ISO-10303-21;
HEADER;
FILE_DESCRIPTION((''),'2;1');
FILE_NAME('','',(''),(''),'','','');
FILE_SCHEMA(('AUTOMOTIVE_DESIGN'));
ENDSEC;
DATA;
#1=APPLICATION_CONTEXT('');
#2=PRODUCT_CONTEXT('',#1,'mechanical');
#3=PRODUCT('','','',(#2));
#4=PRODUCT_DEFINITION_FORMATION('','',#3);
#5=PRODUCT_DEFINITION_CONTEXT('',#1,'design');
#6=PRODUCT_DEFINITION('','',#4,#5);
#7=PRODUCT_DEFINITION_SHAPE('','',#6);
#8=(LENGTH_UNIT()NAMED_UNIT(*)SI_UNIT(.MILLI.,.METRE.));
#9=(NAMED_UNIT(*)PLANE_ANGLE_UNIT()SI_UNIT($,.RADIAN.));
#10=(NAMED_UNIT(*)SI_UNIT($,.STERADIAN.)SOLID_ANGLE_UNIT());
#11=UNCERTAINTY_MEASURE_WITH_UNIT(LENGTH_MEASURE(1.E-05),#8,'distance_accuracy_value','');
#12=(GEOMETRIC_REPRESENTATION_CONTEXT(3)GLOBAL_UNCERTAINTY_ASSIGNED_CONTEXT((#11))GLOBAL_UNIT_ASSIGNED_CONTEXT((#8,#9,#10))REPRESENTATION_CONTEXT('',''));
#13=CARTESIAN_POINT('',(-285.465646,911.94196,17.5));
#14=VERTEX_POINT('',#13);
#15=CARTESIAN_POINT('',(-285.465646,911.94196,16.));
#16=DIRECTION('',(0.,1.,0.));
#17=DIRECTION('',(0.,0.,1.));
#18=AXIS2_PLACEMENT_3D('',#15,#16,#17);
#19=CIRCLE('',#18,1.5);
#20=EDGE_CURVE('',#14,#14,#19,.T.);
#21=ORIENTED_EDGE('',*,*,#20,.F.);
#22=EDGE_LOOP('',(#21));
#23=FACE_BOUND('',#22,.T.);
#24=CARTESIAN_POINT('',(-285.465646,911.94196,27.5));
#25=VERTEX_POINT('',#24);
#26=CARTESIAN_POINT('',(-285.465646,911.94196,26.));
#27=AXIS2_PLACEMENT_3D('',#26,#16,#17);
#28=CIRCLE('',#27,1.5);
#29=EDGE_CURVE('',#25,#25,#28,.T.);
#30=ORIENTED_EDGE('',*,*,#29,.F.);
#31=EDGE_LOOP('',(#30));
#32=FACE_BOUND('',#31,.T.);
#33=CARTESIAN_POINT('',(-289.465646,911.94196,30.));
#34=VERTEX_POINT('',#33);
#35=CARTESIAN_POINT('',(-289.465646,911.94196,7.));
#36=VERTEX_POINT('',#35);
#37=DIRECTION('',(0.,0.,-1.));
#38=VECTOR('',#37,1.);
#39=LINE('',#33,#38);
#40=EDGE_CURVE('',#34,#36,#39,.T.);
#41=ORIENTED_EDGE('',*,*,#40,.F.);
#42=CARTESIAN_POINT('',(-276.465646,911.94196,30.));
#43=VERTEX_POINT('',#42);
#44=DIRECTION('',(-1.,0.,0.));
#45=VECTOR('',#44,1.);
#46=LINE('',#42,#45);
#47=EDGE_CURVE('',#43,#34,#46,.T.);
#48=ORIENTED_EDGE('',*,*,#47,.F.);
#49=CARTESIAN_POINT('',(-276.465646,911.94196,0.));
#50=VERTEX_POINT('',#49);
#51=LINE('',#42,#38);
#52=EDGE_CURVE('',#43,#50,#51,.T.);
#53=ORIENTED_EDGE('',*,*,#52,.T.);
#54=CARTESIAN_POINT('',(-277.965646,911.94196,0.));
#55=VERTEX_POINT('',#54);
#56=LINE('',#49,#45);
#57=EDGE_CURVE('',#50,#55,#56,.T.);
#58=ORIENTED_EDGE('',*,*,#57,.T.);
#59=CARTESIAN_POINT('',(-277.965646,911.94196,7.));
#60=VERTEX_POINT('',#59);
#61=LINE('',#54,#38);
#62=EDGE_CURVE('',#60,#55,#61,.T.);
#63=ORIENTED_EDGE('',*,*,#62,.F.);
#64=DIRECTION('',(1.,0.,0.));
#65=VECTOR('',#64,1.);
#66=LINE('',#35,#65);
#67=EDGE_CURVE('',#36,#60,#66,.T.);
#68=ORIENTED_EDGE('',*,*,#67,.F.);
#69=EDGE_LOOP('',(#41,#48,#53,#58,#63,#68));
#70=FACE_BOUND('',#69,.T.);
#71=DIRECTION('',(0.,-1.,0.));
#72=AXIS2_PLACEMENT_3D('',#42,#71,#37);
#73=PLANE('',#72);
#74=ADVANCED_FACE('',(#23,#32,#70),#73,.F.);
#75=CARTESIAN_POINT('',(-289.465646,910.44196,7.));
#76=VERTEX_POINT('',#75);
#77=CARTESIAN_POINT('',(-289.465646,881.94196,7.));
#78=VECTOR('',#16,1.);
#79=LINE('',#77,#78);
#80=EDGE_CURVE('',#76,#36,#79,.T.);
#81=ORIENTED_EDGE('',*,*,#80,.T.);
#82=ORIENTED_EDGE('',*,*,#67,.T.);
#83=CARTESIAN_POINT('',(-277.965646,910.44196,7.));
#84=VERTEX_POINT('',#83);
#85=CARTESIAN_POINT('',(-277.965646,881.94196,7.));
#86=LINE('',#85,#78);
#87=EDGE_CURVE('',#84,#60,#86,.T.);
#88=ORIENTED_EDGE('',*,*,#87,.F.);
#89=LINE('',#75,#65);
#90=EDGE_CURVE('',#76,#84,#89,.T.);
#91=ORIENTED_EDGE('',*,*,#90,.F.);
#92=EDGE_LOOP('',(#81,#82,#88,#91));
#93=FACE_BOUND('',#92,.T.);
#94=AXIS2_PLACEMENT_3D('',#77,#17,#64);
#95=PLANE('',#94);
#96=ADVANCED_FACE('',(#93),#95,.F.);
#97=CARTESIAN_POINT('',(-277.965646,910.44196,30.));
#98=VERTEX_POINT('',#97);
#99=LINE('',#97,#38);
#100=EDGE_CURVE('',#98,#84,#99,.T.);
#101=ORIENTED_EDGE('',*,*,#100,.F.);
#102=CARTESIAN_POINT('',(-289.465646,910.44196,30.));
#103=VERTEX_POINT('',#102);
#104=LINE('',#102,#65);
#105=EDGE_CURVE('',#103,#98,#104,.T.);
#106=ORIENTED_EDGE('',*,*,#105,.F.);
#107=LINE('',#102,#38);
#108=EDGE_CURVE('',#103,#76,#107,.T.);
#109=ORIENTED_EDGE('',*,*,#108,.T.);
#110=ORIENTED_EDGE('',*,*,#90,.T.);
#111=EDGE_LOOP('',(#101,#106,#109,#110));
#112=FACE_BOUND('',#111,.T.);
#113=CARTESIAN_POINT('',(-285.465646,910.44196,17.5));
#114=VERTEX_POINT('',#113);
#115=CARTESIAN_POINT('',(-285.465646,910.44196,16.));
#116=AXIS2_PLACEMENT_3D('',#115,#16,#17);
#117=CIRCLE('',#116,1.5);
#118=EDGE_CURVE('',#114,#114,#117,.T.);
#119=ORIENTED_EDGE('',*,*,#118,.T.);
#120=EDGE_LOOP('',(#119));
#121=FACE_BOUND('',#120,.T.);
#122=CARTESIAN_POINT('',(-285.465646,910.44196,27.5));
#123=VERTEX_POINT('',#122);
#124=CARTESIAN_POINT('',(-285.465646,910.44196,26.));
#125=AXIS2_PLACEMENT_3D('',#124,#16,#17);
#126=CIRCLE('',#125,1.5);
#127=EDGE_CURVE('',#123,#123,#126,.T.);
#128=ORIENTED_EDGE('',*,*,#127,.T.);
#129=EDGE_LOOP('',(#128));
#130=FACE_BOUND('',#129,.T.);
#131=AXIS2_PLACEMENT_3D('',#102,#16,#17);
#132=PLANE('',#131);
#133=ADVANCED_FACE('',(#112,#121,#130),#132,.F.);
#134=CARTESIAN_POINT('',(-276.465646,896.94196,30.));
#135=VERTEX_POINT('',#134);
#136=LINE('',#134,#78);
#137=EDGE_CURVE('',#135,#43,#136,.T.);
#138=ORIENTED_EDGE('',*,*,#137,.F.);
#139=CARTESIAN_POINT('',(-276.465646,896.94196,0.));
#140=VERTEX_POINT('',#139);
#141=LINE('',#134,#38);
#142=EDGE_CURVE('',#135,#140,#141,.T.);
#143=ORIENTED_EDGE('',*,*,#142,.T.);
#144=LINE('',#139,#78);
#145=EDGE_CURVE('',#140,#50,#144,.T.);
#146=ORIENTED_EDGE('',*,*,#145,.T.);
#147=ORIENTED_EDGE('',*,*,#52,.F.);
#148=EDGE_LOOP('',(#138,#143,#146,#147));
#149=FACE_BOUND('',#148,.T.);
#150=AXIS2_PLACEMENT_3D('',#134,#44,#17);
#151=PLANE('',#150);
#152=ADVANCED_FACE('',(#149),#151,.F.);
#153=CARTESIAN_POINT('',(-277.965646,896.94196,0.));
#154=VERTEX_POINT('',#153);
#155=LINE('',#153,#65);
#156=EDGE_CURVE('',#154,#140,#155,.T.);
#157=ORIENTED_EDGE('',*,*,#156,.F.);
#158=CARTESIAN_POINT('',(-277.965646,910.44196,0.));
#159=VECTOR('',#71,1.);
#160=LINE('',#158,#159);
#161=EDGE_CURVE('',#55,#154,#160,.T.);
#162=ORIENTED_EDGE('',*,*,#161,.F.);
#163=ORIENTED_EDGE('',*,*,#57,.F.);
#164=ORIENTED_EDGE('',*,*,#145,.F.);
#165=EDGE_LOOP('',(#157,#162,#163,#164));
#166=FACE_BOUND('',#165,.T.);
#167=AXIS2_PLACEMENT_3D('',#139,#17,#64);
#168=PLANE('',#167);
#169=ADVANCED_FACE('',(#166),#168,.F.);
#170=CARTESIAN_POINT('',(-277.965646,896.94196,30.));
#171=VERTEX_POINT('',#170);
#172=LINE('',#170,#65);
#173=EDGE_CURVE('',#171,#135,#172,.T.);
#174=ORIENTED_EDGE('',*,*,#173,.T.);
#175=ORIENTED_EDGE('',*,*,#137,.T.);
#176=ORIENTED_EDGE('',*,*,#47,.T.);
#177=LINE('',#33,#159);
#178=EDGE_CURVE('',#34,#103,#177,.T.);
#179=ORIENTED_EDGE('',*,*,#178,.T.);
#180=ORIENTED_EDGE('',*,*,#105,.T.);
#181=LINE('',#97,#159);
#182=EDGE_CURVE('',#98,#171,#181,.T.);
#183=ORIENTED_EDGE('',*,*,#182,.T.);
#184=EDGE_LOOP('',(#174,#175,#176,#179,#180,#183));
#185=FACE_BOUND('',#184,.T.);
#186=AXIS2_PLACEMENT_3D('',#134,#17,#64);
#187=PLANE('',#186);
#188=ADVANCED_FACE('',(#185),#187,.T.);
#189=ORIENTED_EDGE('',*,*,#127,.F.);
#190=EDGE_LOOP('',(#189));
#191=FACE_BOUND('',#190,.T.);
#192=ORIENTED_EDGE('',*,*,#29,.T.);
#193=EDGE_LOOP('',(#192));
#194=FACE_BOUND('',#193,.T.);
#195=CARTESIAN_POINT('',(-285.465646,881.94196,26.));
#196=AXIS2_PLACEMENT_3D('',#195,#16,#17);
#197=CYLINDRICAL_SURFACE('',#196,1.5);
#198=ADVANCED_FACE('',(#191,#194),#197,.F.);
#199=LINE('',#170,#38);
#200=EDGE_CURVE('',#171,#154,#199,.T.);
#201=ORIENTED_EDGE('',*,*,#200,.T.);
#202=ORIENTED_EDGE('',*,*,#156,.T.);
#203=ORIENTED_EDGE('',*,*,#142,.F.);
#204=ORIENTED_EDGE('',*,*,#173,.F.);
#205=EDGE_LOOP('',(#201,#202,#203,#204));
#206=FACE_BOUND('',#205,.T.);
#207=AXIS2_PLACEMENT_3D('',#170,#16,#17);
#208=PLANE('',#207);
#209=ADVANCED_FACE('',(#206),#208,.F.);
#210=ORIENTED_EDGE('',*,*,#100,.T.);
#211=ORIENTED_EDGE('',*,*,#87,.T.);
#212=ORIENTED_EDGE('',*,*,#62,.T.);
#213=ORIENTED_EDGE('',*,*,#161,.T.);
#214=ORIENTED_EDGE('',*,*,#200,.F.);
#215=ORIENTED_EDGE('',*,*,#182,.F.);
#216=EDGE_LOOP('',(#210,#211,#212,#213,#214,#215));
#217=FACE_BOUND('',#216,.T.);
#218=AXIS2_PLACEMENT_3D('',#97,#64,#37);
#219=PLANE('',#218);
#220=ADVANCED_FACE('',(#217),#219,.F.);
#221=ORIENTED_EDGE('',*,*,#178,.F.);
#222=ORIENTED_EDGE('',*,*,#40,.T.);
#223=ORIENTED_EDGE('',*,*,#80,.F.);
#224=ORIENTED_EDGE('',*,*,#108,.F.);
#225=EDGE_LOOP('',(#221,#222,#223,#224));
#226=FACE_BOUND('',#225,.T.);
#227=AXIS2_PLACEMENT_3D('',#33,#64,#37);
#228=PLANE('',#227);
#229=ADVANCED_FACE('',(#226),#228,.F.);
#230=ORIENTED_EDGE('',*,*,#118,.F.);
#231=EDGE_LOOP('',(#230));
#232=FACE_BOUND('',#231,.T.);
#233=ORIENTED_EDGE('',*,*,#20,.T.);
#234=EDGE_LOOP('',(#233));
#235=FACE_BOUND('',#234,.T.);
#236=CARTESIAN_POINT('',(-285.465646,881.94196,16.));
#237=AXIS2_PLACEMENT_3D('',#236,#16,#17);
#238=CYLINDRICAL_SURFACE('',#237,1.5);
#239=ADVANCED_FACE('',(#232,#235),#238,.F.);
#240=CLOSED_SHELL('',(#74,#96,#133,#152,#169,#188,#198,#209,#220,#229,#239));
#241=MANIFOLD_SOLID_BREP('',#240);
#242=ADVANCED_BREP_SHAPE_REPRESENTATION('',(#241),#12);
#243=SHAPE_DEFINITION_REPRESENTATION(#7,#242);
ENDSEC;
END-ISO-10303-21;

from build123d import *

# Parameters (mm, degrees)
EXTRUSION1_DEPTH = 30
ESQUISSE2_R      = 1.5
ESQUISSE2_W      = 11.5
ESQUISSE2_H      = 7
EXTRUSION2_DEPTH = 30


with BuildPart() as part:
    # Esquisse1 → Extrusion1 (new body)
    with BuildSketch(Plane.XY):
        Polygon((-276.465646311, 896.941960338), (-276.465646311, 911.941960338), (-289.465646311, 911.941960338), (-289.465646311, 910.441960338), (-277.965646311, 910.441960338), (-277.965646311, 896.941960338), align=None)
    extrude(amount=EXTRUSION1_DEPTH)

    # Esquisse2 → Extrusion2 (cut)
    with BuildSketch(Plane(origin=(0, 911.941960338, 0), x_dir=(-1, 0, 0), z_dir=(0, 1, 0))):
        with Locations(Location((285.465646311, 16, 0), (0, 0, 90))):
            Circle(ESQUISSE2_R)
        with Locations(Location((285.465646311, 26, 0), (0, 0, 90))):
            Circle(ESQUISSE2_R)
        with Locations((283.715646311, 3.5)):
            Rectangle(ESQUISSE2_W, ESQUISSE2_H)
    extrude(amount=-EXTRUSION2_DEPTH, mode=Mode.SUBTRACT)


solid = part.part
